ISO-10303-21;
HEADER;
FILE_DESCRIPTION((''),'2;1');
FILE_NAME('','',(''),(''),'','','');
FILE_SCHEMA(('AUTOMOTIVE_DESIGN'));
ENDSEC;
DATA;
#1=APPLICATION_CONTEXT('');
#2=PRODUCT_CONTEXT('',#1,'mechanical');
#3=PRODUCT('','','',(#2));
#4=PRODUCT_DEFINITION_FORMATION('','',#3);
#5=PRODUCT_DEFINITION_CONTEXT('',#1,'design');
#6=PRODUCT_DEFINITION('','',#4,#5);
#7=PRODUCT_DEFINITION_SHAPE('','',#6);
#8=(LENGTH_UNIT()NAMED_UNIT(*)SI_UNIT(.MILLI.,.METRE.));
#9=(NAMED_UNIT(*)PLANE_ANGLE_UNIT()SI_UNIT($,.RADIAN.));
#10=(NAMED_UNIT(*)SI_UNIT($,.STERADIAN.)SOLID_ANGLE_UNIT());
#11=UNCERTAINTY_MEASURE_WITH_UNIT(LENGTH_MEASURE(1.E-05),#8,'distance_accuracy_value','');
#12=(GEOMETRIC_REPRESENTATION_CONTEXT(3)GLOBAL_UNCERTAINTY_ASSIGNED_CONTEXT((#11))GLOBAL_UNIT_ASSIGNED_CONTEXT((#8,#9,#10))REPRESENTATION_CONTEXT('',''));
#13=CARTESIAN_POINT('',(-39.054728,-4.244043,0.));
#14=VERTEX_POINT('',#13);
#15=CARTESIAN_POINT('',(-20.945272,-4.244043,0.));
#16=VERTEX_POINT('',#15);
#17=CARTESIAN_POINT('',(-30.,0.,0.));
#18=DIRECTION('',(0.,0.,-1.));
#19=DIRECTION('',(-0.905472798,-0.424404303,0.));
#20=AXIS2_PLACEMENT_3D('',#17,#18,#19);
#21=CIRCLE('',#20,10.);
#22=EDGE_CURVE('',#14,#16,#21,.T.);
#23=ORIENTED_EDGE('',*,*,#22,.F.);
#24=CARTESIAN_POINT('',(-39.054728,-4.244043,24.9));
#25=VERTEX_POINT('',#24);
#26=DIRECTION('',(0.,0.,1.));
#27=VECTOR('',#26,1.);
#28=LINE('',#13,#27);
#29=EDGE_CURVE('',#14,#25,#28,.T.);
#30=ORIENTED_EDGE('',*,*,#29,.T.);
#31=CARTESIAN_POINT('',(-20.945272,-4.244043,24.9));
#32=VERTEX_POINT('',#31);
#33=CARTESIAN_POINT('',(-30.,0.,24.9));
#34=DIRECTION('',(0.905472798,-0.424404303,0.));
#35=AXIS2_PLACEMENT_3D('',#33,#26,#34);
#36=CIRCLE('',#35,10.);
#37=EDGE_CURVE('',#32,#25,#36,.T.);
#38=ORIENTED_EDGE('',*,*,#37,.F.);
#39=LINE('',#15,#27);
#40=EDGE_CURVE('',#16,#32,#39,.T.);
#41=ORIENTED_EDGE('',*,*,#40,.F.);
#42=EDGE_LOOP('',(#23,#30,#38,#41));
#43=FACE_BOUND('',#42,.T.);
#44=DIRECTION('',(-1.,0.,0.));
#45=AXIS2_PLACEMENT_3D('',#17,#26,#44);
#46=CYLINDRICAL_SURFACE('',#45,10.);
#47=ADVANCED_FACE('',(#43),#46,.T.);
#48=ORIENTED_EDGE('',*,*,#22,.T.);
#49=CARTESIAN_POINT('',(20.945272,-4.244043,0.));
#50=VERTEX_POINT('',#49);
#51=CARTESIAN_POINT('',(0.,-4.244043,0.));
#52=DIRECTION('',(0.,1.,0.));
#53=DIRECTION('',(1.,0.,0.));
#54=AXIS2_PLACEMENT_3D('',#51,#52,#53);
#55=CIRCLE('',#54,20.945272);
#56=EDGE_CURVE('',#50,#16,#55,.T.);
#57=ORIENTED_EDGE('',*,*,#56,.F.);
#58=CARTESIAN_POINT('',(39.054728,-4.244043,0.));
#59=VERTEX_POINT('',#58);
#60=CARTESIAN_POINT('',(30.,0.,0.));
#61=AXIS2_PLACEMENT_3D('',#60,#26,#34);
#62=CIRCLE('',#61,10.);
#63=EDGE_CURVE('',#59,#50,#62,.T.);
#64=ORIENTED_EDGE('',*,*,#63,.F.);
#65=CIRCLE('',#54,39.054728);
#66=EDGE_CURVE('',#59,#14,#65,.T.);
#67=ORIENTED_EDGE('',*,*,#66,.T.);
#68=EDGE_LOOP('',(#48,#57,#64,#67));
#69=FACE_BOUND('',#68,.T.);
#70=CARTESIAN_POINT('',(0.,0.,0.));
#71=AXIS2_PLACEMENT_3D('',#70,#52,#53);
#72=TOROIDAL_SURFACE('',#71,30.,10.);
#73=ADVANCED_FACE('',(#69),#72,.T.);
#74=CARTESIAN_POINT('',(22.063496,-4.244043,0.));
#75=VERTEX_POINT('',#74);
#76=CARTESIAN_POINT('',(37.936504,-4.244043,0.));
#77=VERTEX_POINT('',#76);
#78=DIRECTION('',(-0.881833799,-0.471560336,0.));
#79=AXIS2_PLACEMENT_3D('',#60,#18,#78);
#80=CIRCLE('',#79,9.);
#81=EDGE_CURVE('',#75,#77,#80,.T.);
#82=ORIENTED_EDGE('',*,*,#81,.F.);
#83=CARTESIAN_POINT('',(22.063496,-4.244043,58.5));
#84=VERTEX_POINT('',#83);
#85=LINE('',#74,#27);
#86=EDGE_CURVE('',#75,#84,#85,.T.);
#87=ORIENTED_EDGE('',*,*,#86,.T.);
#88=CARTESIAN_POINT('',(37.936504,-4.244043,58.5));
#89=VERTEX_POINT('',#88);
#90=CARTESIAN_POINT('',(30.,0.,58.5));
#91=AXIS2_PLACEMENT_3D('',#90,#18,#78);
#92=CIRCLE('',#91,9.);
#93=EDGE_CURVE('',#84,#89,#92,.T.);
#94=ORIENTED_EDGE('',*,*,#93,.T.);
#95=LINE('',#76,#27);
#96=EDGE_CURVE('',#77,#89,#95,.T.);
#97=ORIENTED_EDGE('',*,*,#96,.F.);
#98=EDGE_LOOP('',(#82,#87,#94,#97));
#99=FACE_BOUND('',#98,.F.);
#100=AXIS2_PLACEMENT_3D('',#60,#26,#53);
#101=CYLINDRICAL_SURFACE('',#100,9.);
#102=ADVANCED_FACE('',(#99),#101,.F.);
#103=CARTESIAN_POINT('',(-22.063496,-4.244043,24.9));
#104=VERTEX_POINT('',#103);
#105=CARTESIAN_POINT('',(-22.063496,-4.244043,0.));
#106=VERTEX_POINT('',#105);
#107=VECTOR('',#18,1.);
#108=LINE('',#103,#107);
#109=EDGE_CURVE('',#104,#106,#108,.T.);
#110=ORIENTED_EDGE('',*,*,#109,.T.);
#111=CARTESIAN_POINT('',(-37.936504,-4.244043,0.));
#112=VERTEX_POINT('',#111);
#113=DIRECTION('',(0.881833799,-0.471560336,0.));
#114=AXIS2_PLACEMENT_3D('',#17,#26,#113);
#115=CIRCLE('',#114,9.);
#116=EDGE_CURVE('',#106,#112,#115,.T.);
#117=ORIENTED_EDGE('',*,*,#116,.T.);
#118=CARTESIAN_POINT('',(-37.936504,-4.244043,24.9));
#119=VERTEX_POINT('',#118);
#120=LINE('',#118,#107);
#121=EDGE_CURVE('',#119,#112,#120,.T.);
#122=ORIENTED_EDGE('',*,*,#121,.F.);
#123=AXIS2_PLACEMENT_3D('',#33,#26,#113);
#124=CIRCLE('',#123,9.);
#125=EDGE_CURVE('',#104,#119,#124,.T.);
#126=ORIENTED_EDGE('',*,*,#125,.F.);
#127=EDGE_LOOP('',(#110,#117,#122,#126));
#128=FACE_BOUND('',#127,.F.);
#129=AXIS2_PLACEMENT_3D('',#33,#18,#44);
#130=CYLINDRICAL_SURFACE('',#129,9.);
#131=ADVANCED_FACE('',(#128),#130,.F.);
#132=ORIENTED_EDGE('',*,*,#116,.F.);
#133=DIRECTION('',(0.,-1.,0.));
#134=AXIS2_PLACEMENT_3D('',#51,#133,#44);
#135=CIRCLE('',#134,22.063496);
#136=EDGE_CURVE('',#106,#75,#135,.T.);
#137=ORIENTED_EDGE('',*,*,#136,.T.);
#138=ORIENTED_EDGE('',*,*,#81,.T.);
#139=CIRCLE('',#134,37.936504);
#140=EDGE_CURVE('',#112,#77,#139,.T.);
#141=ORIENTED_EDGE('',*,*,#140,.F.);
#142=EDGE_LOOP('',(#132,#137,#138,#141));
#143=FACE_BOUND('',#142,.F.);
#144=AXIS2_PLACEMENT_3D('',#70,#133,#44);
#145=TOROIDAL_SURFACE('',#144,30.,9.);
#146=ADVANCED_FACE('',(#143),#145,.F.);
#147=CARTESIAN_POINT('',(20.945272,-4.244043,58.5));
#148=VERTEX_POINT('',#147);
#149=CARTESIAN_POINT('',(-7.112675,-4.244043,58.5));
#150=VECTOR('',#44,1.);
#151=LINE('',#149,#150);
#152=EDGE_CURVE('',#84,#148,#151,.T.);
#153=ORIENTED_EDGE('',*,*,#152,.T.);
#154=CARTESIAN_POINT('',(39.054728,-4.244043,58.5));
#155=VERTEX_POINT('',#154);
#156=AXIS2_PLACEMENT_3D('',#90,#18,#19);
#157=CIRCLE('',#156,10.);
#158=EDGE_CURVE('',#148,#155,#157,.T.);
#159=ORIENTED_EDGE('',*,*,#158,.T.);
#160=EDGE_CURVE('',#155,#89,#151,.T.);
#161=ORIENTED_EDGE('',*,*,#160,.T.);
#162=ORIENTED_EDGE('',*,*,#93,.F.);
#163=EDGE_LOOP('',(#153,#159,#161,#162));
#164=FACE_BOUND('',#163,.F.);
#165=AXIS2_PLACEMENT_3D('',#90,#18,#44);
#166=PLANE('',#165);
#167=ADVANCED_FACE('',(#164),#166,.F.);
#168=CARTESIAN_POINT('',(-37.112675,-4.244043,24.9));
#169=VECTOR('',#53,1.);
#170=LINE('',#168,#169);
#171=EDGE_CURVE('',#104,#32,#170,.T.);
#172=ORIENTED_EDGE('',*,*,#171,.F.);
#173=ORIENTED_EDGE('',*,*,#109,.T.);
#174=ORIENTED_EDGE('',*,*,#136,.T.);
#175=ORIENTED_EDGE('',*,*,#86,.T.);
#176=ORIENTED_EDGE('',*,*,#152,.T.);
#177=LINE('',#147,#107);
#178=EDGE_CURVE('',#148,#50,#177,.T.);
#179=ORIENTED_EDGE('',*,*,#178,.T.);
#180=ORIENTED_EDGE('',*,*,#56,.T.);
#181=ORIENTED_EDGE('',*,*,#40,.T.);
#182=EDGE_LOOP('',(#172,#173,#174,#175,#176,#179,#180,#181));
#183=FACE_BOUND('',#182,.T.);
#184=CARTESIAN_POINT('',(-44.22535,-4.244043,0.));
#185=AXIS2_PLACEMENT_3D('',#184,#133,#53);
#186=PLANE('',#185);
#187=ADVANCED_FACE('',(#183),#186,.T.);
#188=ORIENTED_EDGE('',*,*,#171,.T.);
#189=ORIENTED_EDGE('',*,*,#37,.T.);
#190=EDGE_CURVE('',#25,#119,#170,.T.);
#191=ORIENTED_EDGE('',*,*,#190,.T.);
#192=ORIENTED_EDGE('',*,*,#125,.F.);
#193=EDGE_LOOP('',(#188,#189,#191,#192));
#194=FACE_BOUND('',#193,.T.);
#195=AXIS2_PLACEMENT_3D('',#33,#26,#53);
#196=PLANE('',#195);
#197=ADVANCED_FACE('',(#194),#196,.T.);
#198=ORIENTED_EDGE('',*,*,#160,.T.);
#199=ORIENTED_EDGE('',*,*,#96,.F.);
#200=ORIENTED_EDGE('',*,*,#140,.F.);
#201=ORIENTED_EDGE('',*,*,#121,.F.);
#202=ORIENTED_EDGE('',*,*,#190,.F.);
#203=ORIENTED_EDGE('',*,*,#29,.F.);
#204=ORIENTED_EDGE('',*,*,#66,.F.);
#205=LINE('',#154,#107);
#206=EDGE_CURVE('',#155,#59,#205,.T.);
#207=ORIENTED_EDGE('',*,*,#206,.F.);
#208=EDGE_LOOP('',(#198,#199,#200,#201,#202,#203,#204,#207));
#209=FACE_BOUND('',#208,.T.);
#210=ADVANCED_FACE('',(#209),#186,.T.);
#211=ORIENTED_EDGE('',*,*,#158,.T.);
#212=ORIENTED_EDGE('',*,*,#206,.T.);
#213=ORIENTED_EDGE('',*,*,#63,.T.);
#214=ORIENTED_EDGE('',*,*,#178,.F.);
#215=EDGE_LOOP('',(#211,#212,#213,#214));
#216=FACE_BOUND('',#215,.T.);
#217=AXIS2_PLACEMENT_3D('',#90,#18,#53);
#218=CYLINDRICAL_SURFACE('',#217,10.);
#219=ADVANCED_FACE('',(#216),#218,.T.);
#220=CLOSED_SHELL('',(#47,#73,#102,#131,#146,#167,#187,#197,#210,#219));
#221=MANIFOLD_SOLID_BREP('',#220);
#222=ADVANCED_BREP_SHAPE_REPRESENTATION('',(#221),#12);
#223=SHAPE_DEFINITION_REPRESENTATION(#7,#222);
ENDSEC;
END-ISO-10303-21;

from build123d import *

# Parameters (mm, degrees)
F2_R     = 10
F4_R     = 9
F6_W     = 85.2154158056
F6_H     = 10.0725549273
F7_DEPTH = 60


with BuildPart() as f3:
    # F3: sweep along a path in F0
    with BuildLine(Plane.XZ) as f3_path:
        Line((30, 58.5), (30, 0))
        ThreePointArc((30, 0), (0, -30), (-30, 0))
        Line((-30, 0), (-30, 24.9))
    # F2 (on line) → F3 (sweep)
    with BuildSketch(Plane(origin=(0, 0, 58.5), x_dir=(1, 0, 0), z_dir=(0, 0, -1))):
        with Locations((30, 0)):
            Circle(F2_R)
    sweep(path=f3_path.line)

    # F5: sweep along a path in F0
    with BuildLine(Plane.XZ) as f5_path:
        Line((-30, 24.9), (-30, 0))
        ThreePointArc((-30, 0), (0, -30), (30, 0))
        Line((30, 0), (30, 58.5))
    # F4 (on face) → F5 (sweep, cut)
    with BuildSketch(Plane.XY.offset(58.5)):
        with Locations((30, 0)):
            Circle(F4_R)
    sweep(path=f5_path.line, mode=Mode.SUBTRACT)


with BuildPart() as f7:
    # F6 (on Top) → F7 (new body, symmetric)
    with BuildSketch(Plane.XY):
        with Locations((-1.6176421195, -9.2803204898)):
            Rectangle(F6_W, F6_H)
    extrude(amount=F7_DEPTH, both=True)


with BuildPart() as f3_1:
    add(f3.part)

    # F8: cut F7
    add(f7.part, mode=Mode.SUBTRACT)


solid = f3_1.part
